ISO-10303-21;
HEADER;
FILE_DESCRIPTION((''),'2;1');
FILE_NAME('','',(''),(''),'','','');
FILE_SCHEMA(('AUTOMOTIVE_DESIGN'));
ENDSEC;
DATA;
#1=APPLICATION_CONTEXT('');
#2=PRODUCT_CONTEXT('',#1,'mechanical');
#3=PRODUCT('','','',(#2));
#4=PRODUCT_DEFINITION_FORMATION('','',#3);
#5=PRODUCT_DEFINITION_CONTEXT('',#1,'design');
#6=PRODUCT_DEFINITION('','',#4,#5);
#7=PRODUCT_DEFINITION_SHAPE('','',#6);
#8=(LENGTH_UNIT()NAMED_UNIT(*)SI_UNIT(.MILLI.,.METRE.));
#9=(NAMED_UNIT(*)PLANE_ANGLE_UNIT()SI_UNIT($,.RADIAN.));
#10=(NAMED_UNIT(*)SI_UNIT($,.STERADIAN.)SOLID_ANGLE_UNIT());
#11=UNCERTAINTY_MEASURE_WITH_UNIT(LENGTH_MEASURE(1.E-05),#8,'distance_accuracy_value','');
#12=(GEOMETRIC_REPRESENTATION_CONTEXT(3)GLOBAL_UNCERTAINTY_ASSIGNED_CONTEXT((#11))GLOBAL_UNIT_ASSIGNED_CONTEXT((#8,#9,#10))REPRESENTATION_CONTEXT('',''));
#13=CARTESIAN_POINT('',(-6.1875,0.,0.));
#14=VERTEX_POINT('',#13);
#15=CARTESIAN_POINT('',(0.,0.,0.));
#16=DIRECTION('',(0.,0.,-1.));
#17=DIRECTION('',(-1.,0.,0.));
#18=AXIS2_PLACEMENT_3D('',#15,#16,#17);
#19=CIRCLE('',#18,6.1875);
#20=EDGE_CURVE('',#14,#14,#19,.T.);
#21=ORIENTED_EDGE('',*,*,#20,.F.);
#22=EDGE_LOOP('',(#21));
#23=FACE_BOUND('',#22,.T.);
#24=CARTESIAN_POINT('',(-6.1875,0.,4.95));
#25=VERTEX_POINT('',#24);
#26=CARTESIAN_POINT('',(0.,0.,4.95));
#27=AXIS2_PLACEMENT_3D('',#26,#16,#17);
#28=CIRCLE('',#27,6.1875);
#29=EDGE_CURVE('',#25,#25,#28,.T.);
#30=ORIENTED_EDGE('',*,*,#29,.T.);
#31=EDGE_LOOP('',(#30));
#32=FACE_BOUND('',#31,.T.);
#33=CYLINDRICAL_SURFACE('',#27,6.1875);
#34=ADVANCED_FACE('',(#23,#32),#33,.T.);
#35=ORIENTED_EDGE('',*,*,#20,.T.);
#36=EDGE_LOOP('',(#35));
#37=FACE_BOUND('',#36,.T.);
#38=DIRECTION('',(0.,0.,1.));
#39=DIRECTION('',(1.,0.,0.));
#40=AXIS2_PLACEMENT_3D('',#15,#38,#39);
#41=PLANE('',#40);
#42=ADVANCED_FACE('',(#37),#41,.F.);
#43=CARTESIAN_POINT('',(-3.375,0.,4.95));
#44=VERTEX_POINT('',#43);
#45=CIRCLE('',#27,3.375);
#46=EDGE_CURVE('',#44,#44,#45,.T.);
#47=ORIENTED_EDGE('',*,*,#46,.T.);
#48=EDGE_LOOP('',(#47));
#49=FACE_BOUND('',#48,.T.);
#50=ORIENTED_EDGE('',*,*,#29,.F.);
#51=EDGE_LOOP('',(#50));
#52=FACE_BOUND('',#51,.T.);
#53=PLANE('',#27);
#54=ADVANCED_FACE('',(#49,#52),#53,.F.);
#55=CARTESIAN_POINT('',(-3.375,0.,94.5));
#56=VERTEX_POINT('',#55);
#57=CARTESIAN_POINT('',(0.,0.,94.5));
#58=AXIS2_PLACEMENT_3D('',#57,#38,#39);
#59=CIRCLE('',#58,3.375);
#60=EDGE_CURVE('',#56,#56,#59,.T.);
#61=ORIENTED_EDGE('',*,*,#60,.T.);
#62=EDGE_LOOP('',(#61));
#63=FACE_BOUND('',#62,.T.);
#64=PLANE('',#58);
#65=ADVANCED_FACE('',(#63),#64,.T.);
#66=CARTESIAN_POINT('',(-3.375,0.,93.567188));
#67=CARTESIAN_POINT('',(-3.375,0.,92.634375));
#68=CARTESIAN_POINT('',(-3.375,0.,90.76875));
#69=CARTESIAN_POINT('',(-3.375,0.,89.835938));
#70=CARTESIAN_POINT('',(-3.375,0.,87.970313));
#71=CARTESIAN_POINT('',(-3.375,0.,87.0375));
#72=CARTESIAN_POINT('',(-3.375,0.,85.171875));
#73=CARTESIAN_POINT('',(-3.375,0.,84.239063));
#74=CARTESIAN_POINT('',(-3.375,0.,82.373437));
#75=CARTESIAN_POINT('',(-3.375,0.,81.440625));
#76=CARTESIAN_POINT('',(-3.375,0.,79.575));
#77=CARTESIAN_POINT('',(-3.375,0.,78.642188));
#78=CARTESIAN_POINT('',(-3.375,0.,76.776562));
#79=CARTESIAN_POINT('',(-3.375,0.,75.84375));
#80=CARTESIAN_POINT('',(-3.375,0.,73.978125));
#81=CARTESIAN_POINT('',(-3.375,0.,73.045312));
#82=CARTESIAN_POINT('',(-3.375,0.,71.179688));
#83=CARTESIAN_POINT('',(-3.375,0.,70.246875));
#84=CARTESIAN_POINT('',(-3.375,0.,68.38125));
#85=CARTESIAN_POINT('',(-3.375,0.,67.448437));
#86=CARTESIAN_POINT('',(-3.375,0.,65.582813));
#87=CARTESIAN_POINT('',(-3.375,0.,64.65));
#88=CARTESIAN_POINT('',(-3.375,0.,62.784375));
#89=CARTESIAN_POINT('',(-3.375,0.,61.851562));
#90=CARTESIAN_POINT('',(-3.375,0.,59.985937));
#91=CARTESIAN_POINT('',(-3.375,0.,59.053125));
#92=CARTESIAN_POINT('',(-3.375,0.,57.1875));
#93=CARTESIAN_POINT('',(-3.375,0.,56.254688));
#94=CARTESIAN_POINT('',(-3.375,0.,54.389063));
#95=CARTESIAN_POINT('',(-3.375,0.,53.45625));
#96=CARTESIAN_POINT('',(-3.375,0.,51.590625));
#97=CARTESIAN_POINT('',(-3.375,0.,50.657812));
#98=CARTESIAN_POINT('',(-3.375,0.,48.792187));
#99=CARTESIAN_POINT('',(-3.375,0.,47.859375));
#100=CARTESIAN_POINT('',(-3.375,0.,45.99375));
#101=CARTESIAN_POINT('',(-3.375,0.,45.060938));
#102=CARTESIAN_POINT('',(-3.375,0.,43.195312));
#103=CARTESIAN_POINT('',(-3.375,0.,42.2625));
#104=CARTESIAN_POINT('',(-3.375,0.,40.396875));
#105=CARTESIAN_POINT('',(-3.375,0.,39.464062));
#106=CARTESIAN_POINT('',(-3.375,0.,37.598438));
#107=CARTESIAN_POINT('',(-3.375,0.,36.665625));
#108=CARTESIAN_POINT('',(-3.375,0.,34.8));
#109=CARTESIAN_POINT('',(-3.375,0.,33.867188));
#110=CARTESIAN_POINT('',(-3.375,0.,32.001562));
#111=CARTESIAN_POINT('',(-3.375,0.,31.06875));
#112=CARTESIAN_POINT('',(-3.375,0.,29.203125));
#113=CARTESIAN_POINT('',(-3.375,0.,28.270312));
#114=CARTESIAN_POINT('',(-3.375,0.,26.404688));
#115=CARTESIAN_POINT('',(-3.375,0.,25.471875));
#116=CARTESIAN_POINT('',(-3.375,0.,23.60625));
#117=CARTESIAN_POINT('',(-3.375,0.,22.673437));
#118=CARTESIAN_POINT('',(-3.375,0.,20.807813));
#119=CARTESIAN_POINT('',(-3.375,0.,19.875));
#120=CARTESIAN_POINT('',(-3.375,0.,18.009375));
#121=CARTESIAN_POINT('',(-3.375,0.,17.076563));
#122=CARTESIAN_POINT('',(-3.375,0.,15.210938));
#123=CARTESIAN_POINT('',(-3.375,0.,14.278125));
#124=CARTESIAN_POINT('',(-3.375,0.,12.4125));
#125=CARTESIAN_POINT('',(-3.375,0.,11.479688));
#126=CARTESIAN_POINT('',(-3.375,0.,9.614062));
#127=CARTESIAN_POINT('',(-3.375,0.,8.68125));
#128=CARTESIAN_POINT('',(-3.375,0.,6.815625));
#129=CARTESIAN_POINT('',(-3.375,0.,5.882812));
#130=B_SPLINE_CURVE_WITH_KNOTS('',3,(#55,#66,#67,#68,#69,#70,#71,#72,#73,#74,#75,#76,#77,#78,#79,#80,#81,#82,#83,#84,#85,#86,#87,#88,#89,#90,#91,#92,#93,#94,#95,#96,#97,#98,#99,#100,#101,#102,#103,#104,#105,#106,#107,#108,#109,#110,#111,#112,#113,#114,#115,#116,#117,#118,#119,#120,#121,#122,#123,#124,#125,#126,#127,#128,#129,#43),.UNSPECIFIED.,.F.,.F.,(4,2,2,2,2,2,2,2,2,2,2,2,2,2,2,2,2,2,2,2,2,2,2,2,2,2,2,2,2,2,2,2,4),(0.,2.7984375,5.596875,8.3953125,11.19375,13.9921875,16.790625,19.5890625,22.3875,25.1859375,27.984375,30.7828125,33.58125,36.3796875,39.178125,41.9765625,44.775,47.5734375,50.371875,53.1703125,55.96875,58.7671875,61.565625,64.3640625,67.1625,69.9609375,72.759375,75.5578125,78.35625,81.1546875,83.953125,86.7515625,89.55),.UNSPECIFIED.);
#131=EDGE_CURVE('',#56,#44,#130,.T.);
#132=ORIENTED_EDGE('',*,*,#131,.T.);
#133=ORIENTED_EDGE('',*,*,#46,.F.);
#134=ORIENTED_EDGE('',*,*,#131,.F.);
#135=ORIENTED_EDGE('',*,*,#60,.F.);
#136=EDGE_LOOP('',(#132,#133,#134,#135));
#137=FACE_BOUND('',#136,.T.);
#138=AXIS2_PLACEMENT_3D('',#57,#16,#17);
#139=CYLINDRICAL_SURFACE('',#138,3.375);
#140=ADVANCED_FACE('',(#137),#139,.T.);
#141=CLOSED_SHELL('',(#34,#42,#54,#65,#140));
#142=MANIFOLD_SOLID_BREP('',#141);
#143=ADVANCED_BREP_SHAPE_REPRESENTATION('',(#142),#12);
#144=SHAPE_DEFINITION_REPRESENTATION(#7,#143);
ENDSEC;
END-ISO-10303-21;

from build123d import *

# Parameters (mm, degrees)
SKETCH1_R           = 1.5
BOSS_EXTRUDE1_DEPTH = 42
SKETCH2_R           = 2.75
BOSS_EXTRUDE2_DEPTH = 2.2
ESCALA1_SCALE       = 1.5
ESCALA2_SCALE       = 1.5


with BuildPart() as part:
    # Sketch1 → Boss-Extrude1 (new body)
    with BuildSketch(Plane.XY):
        with Locations(Location((0, 0, 0), (0, 0, 180))):
            Circle(SKETCH1_R)
    extrude(amount=BOSS_EXTRUDE1_DEPTH)

    # Sketch2 → Boss-Extrude2 (add)
    with BuildSketch(Plane(origin=(0, 0, 0), x_dir=(-1, 0, 0), z_dir=(0, 0, -1))):
        Circle(SKETCH2_R)
    extrude(amount=-BOSS_EXTRUDE2_DEPTH)


with BuildPart() as part_1:
    # Escala1: scaled about (0, 0, 0)
    add(part.part.scale(ESCALA1_SCALE))


with BuildPart() as part_2:
    # Escala2: scaled about (0, 0, 0)
    add(part_1.part.scale(ESCALA2_SCALE))


solid = part_2.part
